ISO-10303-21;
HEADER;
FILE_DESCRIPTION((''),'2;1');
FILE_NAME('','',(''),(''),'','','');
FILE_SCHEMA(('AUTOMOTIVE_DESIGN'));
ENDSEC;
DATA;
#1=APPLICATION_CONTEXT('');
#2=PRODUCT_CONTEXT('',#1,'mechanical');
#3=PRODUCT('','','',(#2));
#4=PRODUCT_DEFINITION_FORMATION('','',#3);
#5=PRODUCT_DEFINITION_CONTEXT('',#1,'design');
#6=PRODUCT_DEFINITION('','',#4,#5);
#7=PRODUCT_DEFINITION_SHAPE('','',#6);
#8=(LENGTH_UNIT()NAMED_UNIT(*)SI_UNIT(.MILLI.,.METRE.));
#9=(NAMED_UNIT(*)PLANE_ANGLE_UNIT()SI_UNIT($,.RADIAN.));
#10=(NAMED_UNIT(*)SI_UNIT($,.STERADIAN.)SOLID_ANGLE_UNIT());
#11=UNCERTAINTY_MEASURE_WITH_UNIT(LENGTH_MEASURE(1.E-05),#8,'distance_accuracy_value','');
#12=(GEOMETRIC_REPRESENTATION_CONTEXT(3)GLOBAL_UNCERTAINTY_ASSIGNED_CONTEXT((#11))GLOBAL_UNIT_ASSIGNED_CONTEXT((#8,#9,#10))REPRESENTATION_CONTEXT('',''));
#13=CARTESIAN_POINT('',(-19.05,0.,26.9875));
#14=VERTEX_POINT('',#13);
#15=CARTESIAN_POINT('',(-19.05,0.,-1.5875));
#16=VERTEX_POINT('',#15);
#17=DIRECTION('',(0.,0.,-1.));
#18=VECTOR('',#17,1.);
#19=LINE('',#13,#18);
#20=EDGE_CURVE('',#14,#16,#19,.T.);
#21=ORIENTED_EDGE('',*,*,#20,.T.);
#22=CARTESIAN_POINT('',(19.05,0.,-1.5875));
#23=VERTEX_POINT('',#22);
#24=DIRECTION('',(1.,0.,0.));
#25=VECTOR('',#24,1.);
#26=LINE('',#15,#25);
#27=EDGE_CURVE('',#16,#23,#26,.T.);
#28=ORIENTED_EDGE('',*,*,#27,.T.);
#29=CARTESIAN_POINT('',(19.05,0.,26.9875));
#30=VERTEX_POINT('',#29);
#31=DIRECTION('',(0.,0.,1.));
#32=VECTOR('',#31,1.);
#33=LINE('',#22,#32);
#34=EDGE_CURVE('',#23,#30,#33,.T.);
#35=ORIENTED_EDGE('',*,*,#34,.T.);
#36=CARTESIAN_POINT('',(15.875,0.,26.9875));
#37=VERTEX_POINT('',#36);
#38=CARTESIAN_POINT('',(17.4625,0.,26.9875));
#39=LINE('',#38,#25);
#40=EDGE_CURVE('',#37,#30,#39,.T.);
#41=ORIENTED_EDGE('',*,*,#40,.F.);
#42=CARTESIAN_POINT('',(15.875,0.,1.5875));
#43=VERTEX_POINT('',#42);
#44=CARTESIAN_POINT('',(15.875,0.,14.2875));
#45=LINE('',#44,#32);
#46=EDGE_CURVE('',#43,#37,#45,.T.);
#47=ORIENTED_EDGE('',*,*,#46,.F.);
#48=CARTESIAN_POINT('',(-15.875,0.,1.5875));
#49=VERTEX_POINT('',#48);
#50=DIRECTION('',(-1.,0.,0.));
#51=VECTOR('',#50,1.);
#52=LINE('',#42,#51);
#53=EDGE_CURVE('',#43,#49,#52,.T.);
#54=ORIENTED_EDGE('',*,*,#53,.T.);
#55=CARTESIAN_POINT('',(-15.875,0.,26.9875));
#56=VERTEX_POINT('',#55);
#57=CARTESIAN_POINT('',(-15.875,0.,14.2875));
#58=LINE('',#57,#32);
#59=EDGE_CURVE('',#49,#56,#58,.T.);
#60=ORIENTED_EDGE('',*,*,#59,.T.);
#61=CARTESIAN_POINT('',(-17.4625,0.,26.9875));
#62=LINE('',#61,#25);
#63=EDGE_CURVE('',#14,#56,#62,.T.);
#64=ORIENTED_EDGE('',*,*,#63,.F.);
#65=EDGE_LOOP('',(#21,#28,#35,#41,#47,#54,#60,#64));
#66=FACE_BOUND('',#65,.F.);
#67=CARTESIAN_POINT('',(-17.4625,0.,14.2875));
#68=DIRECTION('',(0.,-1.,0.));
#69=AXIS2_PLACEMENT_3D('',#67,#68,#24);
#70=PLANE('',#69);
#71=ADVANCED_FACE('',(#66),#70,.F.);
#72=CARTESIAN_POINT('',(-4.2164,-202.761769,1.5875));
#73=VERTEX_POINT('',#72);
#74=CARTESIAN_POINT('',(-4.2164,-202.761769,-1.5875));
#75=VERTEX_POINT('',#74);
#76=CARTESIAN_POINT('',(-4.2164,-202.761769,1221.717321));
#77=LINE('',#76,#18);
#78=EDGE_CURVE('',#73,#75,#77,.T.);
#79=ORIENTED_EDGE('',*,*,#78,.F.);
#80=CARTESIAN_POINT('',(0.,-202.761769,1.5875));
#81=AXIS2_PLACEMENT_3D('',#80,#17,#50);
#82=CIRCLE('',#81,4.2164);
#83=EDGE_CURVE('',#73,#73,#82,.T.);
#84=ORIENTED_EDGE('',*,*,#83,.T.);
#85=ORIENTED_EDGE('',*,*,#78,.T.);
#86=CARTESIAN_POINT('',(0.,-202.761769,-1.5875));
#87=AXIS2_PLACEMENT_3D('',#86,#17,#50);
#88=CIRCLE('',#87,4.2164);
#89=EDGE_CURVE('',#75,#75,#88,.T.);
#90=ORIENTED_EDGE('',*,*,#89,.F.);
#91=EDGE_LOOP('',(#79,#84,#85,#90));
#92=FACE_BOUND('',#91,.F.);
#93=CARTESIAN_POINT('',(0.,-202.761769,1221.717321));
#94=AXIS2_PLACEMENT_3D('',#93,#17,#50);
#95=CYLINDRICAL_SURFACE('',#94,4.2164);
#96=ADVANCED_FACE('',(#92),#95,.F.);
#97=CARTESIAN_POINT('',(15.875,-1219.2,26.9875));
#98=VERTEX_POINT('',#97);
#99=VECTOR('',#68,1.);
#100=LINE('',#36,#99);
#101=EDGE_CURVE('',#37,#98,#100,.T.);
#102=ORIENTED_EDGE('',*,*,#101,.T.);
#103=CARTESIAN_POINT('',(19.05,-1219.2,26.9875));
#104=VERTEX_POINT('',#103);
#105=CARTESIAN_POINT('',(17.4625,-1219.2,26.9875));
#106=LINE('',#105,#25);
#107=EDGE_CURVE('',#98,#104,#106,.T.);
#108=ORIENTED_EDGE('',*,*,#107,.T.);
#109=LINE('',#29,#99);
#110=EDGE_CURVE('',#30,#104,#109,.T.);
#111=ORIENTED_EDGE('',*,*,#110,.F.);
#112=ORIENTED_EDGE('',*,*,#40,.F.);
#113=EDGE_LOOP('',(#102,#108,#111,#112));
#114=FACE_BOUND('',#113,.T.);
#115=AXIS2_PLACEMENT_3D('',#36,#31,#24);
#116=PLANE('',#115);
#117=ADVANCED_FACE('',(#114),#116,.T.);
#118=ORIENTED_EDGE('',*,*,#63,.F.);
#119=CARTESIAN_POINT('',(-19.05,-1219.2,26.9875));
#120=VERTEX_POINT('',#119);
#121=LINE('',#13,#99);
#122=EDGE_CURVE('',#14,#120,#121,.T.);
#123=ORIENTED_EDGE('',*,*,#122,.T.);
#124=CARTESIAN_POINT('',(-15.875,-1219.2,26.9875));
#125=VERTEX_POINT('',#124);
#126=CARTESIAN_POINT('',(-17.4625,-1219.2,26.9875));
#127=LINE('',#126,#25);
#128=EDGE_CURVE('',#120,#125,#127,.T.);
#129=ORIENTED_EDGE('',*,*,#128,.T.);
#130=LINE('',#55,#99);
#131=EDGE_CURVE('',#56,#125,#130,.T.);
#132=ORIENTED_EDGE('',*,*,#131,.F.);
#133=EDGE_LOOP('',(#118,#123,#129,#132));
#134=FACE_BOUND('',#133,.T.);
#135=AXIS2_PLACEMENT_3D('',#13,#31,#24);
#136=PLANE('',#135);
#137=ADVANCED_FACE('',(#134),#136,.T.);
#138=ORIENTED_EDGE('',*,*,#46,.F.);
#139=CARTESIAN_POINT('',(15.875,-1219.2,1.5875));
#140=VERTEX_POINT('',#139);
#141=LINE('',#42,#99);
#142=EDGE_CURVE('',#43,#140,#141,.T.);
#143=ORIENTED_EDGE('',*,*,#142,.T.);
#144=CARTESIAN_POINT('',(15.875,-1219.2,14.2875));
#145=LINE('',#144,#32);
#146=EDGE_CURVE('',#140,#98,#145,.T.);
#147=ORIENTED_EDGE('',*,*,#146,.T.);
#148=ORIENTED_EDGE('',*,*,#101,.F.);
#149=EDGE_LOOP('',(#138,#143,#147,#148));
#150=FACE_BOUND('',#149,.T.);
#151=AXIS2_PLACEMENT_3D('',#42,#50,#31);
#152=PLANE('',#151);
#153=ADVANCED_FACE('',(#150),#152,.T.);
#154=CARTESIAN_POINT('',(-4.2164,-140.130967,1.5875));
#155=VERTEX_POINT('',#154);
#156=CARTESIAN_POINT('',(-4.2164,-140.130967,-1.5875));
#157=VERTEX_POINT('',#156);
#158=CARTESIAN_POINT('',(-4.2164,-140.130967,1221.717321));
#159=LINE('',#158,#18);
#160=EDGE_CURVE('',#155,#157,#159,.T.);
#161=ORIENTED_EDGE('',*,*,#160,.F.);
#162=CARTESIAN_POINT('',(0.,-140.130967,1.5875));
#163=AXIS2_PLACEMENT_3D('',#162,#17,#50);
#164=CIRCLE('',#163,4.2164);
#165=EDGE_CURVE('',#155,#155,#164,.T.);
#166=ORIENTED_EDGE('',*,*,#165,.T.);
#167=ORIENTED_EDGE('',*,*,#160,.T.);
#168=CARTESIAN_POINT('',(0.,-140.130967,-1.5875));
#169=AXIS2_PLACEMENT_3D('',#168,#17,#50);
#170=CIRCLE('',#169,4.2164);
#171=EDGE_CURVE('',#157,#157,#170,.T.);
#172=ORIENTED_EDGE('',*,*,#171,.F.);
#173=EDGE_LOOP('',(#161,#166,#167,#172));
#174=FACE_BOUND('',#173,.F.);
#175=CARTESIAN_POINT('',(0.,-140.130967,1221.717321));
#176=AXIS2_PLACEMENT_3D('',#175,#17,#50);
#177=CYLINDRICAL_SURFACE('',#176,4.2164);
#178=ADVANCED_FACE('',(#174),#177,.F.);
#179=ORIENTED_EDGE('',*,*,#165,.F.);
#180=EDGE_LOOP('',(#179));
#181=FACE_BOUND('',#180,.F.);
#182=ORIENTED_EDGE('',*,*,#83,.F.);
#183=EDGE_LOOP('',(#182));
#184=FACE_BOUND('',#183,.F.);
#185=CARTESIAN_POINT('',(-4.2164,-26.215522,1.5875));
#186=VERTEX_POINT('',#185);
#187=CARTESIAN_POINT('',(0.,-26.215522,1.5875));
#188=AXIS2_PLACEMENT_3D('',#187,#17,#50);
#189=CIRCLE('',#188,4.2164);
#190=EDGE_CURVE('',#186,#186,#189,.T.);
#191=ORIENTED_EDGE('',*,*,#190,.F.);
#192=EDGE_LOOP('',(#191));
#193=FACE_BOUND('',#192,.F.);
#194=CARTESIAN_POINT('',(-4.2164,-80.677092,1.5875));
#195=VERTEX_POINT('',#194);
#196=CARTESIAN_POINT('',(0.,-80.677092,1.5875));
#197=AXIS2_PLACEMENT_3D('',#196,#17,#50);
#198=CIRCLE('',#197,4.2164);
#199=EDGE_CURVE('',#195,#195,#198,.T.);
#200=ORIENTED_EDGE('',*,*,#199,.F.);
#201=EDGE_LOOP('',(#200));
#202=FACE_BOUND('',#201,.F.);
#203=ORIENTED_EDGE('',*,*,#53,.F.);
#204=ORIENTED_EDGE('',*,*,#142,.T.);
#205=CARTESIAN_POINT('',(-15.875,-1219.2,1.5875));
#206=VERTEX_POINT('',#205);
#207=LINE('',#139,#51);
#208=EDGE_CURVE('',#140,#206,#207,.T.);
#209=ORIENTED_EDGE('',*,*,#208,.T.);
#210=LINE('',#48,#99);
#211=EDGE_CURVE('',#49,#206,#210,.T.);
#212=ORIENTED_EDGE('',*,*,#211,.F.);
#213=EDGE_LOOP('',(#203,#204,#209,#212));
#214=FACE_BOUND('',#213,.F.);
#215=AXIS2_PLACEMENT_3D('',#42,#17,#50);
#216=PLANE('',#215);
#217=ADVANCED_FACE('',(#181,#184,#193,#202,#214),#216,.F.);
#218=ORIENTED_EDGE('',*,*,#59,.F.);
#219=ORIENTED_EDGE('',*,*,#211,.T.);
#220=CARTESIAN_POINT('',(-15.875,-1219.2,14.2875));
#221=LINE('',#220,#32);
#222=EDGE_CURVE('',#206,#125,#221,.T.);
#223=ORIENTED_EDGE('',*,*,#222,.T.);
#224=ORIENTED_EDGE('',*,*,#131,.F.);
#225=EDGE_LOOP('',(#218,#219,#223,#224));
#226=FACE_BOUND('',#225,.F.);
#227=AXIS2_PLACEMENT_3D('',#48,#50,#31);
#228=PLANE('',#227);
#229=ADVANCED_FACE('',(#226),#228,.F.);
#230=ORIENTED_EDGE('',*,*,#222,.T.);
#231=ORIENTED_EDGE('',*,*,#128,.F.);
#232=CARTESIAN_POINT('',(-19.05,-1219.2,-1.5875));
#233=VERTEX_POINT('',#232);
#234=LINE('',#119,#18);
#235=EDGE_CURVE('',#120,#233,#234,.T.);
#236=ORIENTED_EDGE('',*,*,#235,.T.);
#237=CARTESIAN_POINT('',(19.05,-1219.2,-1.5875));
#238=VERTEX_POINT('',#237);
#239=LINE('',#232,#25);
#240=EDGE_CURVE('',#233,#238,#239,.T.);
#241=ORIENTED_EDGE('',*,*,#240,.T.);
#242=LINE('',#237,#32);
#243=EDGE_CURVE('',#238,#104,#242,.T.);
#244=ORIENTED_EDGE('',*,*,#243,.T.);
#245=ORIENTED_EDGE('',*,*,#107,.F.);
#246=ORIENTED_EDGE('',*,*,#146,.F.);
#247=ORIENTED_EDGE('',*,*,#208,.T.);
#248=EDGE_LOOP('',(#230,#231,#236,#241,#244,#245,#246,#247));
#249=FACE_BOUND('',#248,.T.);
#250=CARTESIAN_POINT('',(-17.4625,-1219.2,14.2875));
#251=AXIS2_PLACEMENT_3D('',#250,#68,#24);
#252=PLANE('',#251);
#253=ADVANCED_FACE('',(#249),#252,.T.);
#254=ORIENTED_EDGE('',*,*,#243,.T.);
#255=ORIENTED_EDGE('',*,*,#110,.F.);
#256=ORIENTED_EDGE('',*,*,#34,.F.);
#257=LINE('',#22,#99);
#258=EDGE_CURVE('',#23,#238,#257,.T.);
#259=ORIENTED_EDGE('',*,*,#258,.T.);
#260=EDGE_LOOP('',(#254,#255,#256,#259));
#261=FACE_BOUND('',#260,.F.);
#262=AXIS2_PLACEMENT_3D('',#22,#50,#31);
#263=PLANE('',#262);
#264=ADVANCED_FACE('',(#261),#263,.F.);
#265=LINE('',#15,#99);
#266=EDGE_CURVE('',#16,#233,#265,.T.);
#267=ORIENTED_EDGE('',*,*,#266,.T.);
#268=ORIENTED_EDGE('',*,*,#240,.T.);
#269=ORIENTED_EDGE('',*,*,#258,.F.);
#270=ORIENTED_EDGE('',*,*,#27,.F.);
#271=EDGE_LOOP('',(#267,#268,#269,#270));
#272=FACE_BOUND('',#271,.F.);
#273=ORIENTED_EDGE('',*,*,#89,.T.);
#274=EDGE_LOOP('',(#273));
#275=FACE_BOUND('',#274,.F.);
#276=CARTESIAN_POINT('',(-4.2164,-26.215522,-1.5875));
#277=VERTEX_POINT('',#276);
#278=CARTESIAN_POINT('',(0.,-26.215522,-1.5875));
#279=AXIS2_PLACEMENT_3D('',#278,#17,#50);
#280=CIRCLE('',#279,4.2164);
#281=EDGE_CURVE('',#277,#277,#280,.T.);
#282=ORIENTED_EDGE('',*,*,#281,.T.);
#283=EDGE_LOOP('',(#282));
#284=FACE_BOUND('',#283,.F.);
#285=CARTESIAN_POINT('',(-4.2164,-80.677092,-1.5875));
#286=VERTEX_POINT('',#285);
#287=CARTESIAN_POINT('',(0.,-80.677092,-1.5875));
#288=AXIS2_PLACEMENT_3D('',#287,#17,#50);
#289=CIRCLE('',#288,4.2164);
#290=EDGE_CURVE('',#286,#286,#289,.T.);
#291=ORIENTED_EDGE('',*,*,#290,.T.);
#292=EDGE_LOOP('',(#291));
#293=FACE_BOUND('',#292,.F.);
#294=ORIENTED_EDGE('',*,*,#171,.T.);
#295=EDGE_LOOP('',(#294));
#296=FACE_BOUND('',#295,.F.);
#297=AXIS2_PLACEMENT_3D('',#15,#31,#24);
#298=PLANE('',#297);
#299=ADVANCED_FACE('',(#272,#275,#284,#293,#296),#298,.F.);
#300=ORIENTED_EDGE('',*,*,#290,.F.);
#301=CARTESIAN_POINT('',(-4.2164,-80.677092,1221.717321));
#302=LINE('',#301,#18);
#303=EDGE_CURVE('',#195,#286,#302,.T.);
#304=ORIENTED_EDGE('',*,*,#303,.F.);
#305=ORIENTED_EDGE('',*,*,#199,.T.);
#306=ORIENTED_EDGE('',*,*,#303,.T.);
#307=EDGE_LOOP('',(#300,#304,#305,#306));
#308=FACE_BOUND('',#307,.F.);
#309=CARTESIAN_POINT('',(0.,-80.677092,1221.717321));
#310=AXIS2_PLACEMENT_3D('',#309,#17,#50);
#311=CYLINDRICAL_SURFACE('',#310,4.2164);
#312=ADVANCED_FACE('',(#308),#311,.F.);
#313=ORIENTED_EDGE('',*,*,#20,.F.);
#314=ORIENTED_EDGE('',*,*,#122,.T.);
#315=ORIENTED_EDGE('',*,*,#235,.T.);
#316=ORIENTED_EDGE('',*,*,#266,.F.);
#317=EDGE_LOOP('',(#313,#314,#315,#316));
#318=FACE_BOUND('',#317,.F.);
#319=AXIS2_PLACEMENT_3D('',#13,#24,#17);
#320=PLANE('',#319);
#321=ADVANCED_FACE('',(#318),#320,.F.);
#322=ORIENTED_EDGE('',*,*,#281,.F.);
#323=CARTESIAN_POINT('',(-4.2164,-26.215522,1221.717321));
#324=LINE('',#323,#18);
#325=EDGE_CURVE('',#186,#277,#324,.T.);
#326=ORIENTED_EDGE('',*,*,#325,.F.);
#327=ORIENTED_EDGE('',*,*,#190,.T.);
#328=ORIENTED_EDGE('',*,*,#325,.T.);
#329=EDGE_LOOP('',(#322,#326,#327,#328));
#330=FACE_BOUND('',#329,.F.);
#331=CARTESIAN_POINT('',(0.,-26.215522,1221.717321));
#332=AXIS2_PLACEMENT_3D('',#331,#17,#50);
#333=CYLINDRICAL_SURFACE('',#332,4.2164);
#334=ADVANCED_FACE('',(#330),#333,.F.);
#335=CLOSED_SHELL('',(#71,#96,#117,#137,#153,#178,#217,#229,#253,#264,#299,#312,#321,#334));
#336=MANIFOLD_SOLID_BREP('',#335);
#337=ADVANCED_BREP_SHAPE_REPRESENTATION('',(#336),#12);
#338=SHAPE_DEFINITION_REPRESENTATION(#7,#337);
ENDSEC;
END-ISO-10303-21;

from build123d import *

# Parameters (mm, degrees)
F0_W     = 3.175
F0_H     = 25.4
F1_DEPTH = 1219.2
F3_D     = 8.4328


with BuildPart() as f1:
    # F0 (on Front) → F1 (new body)
    with BuildSketch(Plane.XZ):
        with Locations((-17.4625, 14.2875)):
            Rectangle(F0_W, F0_H)
        with Locations((17.4625, 14.2875)):
            Rectangle(F0_W, F0_H)
        Polygon((-19.05, -1.5875), (19.05, -1.5875), (19.05, 1.5875), (15.875, 1.5875), (-15.875, 1.5875), (-19.05, 1.5875), align=None)
    extrude(amount=F1_DEPTH)

    # F3 (through all)
    with Locations(Plane.XY.offset(1.5875)):
        with Locations((0, -26.2155216187), (0, -80.6770920753), (0, -140.1309669018), (0, -202.7617692947)):
            Hole(F3_D / 2)


solid = f1.part
